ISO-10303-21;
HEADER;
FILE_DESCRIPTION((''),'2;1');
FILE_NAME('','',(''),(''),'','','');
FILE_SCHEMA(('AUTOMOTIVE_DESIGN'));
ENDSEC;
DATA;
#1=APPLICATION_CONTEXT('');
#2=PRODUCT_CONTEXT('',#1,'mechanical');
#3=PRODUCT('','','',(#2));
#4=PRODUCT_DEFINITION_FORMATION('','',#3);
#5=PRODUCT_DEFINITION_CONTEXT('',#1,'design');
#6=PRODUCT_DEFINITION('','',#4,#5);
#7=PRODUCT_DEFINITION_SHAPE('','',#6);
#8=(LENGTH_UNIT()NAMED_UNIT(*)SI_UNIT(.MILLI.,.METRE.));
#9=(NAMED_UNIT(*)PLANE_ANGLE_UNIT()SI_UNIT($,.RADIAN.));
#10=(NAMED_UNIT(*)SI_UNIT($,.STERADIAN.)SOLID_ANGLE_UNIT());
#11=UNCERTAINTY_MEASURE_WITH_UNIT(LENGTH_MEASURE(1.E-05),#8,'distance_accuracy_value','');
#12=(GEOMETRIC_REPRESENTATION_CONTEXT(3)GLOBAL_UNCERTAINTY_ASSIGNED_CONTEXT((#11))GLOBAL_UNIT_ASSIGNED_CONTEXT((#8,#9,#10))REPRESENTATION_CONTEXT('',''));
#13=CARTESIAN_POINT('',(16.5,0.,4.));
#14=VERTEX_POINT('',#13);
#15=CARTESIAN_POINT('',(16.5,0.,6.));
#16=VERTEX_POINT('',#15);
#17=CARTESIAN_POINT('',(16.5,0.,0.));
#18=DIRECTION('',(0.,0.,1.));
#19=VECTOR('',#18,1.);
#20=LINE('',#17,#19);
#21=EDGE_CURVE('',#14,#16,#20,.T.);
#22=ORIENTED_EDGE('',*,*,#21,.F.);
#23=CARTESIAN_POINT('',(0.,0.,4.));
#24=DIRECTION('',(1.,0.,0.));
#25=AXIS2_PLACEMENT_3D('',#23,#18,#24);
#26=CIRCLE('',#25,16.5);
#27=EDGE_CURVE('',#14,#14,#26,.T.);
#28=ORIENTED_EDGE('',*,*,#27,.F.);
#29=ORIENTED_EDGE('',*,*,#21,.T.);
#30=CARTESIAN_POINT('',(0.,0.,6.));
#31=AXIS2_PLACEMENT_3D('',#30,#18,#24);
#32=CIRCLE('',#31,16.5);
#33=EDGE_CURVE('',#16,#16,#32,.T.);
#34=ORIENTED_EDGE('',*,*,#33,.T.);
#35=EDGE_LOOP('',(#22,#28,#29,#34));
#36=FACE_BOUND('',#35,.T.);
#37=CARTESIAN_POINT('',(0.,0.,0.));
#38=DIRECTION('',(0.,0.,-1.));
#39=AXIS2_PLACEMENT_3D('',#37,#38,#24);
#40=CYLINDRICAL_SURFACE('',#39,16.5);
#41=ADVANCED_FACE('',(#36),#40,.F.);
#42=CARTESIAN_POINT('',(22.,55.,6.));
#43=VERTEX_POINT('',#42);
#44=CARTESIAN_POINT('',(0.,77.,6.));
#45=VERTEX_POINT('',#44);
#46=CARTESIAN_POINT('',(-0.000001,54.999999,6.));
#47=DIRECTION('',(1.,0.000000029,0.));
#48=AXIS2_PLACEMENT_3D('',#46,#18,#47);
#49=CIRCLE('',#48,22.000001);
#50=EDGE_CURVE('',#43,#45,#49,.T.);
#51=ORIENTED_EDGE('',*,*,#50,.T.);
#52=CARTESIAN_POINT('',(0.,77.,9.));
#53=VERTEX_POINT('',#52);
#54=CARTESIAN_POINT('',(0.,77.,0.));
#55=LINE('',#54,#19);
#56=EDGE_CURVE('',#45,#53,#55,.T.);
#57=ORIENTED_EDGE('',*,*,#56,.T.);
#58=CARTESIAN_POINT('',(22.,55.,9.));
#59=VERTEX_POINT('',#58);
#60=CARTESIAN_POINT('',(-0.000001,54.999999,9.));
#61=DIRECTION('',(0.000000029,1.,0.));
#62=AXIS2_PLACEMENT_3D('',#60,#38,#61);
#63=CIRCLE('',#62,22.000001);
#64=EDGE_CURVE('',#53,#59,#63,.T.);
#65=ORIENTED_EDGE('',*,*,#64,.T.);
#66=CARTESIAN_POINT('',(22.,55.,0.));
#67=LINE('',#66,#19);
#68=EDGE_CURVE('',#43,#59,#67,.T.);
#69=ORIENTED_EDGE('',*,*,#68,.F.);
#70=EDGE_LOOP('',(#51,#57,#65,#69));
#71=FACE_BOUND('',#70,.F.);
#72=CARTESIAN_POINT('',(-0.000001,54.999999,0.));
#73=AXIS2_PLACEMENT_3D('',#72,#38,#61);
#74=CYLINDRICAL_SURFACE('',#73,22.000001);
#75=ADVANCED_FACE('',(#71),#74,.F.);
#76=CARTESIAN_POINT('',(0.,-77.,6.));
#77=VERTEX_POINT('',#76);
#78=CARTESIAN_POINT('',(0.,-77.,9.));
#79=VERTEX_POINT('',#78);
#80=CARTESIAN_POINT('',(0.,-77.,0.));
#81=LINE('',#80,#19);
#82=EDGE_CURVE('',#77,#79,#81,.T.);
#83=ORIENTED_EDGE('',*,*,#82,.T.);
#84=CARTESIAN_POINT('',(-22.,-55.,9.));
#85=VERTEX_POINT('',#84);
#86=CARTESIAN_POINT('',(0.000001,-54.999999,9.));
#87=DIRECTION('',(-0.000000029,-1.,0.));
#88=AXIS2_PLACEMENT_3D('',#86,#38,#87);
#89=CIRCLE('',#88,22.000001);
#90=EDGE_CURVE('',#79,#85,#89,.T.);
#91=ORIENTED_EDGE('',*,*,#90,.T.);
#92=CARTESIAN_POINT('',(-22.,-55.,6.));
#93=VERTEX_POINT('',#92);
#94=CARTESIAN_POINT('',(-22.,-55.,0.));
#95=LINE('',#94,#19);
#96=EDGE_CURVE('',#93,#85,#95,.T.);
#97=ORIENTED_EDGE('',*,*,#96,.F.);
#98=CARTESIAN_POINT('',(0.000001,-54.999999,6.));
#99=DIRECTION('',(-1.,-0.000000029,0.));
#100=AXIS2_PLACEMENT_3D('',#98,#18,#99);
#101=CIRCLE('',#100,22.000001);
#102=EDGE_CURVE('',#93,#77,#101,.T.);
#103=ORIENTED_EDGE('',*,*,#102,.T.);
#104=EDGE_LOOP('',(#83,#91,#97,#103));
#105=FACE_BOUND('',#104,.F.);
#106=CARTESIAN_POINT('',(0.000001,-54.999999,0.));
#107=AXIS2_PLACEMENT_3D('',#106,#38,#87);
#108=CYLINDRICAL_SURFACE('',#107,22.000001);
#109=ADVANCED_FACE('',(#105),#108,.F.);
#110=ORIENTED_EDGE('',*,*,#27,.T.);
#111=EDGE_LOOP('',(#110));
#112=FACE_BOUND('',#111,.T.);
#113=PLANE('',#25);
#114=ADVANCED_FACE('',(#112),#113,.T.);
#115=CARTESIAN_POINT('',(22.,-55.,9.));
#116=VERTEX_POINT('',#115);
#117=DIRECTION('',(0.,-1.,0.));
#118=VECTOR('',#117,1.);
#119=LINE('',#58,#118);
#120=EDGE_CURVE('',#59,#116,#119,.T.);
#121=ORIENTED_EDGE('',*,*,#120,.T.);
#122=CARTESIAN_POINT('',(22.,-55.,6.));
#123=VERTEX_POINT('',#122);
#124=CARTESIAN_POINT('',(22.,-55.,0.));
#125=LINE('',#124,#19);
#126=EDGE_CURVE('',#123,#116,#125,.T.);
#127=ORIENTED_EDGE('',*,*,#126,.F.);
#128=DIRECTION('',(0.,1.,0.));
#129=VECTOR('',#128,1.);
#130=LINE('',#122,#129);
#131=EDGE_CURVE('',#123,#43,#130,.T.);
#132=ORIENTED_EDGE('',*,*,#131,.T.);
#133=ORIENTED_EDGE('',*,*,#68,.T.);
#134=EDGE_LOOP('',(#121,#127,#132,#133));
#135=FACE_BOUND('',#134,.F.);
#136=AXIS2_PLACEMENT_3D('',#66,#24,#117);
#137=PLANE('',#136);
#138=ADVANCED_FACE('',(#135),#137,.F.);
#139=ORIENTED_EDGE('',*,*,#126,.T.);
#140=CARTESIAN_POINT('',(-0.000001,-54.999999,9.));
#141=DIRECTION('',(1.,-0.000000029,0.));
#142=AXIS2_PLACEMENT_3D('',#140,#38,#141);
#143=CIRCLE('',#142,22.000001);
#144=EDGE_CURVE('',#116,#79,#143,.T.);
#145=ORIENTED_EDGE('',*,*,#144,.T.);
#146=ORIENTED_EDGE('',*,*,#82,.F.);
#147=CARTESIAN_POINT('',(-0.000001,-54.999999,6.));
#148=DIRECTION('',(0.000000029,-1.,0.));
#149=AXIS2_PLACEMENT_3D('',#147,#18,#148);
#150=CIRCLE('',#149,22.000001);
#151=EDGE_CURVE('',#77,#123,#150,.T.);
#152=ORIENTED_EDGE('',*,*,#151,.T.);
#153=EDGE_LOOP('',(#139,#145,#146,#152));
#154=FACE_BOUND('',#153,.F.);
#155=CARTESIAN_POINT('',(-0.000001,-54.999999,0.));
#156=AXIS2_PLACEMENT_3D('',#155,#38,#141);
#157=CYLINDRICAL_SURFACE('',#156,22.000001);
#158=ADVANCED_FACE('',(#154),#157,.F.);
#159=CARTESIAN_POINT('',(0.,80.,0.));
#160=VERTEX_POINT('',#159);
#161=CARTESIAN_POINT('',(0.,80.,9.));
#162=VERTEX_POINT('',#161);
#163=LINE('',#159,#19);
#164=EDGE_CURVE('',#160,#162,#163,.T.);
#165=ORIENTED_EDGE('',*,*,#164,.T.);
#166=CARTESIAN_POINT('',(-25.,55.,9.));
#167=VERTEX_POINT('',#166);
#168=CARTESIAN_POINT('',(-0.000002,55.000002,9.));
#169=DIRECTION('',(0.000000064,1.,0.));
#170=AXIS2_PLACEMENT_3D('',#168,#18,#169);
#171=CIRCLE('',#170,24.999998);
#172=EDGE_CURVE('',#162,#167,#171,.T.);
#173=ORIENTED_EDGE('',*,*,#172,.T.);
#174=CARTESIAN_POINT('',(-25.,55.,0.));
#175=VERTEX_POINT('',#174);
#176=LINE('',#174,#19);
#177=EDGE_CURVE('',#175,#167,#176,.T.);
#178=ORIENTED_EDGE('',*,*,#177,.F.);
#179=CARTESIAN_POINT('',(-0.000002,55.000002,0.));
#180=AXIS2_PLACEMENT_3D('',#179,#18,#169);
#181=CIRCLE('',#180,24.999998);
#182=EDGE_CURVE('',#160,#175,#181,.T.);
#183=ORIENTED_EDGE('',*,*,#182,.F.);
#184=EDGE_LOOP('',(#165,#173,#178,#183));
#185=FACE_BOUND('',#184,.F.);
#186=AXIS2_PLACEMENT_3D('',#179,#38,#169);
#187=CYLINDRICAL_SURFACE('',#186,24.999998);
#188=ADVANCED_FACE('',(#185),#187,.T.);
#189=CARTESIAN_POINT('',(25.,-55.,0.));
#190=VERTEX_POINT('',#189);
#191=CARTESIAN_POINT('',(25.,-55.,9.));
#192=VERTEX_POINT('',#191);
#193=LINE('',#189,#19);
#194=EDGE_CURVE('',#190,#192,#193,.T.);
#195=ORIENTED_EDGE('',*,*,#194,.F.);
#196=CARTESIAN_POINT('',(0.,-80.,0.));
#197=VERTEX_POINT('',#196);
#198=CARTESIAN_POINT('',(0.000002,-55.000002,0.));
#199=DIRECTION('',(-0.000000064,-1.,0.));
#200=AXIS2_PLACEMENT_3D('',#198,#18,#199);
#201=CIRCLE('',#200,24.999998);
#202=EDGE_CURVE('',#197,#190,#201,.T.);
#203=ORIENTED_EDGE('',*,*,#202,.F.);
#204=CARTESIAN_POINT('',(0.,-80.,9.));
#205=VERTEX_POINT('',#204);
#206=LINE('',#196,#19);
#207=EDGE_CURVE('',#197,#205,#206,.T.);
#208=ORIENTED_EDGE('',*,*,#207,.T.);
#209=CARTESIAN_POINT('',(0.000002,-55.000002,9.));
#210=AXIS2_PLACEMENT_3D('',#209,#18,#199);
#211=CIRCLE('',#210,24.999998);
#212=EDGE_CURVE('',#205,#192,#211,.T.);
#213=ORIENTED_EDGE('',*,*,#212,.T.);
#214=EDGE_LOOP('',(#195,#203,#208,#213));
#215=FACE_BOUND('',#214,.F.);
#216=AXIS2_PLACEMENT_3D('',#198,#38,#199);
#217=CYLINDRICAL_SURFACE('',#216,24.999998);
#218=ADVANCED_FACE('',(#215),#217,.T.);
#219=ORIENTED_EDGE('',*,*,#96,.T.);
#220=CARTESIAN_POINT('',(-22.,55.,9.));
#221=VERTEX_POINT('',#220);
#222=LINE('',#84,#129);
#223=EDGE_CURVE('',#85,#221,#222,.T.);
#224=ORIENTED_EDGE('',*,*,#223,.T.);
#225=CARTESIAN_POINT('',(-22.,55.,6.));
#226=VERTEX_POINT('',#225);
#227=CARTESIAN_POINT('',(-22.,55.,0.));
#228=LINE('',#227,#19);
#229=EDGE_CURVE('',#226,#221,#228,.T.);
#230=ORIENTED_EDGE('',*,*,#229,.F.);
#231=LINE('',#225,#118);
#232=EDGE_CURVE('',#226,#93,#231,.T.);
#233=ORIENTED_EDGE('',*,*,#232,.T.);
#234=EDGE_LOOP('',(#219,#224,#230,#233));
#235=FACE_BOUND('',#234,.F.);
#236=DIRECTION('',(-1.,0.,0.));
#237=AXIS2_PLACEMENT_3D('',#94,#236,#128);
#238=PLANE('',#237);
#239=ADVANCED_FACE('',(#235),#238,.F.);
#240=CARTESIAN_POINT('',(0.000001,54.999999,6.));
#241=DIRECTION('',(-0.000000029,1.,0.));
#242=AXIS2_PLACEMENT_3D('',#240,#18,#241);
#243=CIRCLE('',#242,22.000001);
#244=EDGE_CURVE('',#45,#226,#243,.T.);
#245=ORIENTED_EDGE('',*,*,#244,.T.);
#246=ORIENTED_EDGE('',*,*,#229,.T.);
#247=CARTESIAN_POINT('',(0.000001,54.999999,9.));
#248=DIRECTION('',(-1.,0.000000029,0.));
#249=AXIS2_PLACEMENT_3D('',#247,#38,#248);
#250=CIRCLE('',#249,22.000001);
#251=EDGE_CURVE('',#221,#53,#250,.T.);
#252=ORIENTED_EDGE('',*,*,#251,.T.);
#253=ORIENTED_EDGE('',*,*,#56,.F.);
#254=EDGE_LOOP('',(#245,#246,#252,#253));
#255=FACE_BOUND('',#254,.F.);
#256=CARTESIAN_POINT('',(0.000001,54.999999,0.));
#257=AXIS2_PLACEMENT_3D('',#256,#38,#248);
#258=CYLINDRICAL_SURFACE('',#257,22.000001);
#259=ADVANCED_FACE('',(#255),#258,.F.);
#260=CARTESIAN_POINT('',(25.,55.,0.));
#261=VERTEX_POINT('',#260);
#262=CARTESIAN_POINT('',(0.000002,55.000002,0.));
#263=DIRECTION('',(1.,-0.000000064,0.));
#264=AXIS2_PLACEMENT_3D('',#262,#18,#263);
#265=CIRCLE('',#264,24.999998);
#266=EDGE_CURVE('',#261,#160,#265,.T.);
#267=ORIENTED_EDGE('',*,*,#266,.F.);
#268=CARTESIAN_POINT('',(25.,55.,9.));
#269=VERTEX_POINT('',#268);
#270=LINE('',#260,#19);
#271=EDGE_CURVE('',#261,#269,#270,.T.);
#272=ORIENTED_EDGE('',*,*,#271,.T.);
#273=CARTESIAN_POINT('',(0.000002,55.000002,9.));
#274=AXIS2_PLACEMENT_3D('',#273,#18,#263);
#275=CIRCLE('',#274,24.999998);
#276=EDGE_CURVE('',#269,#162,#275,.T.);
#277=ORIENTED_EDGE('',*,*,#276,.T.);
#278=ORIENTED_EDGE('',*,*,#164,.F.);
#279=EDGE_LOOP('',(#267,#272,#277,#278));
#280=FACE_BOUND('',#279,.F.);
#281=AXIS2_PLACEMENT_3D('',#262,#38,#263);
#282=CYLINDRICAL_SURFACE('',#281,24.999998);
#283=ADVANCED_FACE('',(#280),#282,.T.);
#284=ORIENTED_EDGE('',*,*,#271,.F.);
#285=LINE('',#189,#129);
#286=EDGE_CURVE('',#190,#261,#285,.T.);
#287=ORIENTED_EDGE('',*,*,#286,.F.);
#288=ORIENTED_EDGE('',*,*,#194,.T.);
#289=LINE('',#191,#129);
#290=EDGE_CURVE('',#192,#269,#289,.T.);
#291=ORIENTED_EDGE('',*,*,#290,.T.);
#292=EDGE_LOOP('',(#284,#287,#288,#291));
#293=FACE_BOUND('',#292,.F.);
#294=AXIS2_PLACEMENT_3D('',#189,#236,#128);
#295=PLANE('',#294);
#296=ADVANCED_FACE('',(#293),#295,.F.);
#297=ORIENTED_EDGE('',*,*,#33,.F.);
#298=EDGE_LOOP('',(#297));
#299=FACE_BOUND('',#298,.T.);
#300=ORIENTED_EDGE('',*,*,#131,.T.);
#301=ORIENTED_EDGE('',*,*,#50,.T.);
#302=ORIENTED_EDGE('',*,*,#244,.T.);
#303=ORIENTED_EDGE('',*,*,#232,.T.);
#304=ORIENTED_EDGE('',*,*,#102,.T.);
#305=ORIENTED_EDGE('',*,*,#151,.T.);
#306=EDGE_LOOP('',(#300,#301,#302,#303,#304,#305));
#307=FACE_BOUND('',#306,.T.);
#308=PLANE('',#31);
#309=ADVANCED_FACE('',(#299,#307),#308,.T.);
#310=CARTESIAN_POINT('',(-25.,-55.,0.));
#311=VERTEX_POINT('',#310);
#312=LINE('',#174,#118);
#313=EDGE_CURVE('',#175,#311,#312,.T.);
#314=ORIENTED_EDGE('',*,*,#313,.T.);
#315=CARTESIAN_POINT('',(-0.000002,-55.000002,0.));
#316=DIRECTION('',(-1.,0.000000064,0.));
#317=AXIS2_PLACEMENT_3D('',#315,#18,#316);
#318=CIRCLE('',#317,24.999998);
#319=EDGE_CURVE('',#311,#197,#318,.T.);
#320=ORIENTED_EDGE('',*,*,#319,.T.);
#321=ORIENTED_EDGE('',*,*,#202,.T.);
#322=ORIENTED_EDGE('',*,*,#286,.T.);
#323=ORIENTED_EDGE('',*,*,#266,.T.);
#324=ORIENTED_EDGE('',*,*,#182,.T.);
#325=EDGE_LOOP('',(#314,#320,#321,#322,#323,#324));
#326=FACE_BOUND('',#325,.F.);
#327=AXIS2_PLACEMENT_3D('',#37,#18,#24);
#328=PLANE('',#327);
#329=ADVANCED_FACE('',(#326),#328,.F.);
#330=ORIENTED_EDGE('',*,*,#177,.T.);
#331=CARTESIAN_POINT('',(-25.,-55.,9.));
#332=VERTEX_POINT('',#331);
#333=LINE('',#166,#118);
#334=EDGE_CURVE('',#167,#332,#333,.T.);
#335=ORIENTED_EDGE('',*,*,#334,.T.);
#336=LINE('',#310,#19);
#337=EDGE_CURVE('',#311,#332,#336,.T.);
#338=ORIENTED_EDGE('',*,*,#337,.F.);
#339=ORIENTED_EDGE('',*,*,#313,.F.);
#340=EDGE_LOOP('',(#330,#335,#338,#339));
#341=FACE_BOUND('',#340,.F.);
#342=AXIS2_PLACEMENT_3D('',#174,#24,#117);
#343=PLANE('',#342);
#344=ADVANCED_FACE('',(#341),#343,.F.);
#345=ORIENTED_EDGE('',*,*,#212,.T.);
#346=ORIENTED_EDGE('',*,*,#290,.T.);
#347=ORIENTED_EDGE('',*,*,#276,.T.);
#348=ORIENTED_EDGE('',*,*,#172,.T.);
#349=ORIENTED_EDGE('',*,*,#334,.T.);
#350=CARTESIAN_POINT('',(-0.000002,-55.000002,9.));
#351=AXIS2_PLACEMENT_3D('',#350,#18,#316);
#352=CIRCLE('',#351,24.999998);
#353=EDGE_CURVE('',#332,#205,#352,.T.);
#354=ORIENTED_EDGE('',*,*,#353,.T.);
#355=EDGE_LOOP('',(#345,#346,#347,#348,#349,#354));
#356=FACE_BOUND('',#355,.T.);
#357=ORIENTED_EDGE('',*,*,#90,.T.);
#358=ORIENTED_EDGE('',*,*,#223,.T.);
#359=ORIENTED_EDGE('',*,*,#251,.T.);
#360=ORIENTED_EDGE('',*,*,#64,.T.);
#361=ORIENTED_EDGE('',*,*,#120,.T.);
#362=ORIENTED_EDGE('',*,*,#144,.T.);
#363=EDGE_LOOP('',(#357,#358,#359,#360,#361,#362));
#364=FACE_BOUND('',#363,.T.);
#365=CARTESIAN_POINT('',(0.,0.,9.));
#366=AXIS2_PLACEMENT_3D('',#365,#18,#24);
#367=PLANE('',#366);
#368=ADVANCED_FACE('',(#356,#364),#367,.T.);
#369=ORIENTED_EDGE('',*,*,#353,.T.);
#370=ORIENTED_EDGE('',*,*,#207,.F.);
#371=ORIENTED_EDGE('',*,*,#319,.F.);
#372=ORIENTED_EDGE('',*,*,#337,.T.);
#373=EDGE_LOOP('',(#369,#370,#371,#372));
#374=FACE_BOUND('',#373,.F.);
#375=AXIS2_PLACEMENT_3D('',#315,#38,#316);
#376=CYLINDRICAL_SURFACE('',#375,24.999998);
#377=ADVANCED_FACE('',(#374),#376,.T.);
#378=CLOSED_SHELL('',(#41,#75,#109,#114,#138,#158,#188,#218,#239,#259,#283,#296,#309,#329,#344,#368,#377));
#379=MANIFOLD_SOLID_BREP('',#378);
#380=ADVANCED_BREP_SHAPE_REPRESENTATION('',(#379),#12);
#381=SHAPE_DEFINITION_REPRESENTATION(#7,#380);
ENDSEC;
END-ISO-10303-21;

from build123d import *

# Parameters (mm, degrees)
F0_R     = 15
F0_R_2   = 16.5
F1_DEPTH = 6
F2_DEPTH = 4
F3_DEPTH = 9


with BuildPart() as f1:
    # F0 (on Top) → F1 (new body)
    with BuildSketch(Plane.XY):
        with BuildLine():
            ThreePointArc((0, -77), (15.556349, -70.556349), (22, -55))
            Line((22, -55), (22, 55))
            ThreePointArc((22, 55), (15.556349, 70.556349), (0, 77))
            ThreePointArc((0, 77), (-15.556349, 70.556349), (-22, 55))
            Line((-22, 55), (-22, -55))
            ThreePointArc((-22, -55), (-15.556349, -70.556349), (0, -77))
        make_face()
        with Locations((0, -45)):
            Circle(F0_R, mode=Mode.SUBTRACT)
        Circle(F0_R_2, mode=Mode.SUBTRACT)
        with Locations((0, 45)):
            Circle(F0_R_2, mode=Mode.SUBTRACT)
        with Locations((0, -45)):
            Circle(F0_R)
        with Locations((0, 45)):
            Circle(F0_R_2)
    extrude(amount=F1_DEPTH)

    # F0 (on Top) → F2 (join)
    with BuildSketch(Plane.XY):
        with Locations((0, -45)):
            Circle(F0_R)
        Circle(F0_R_2)
        with Locations((0, 45)):
            Circle(F0_R_2)
    extrude(amount=F2_DEPTH)

    # F0 (on Top) → F3 (join)
    with BuildSketch(Plane.XY):
        with BuildLine():
            ThreePointArc((0, -80), (17.67767, -72.67767), (25, -55))
            Line((25, -55), (25, 55))
            ThreePointArc((25, 55), (17.67767, 72.67767), (0, 80))
            ThreePointArc((0, 80), (-17.67767, 72.67767), (-25, 55))
            Line((-25, 55), (-25, -55))
            ThreePointArc((-25, -55), (-17.67767, -72.67767), (0, -80))
        make_face()
        with BuildLine():
            Line((22, 55), (22, -55))
            ThreePointArc((22, -55), (15.556349, -70.556349), (0, -77))
            ThreePointArc((0, -77), (-15.556349, -70.556349), (-22, -55))
            Line((-22, -55), (-22, 55))
            ThreePointArc((-22, 55), (-15.556349, 70.556349), (0, 77))
            ThreePointArc((0, 77), (15.556349, 70.556349), (22, 55))
        make_face(mode=Mode.SUBTRACT)
    extrude(amount=F3_DEPTH)


solid = f1.part
